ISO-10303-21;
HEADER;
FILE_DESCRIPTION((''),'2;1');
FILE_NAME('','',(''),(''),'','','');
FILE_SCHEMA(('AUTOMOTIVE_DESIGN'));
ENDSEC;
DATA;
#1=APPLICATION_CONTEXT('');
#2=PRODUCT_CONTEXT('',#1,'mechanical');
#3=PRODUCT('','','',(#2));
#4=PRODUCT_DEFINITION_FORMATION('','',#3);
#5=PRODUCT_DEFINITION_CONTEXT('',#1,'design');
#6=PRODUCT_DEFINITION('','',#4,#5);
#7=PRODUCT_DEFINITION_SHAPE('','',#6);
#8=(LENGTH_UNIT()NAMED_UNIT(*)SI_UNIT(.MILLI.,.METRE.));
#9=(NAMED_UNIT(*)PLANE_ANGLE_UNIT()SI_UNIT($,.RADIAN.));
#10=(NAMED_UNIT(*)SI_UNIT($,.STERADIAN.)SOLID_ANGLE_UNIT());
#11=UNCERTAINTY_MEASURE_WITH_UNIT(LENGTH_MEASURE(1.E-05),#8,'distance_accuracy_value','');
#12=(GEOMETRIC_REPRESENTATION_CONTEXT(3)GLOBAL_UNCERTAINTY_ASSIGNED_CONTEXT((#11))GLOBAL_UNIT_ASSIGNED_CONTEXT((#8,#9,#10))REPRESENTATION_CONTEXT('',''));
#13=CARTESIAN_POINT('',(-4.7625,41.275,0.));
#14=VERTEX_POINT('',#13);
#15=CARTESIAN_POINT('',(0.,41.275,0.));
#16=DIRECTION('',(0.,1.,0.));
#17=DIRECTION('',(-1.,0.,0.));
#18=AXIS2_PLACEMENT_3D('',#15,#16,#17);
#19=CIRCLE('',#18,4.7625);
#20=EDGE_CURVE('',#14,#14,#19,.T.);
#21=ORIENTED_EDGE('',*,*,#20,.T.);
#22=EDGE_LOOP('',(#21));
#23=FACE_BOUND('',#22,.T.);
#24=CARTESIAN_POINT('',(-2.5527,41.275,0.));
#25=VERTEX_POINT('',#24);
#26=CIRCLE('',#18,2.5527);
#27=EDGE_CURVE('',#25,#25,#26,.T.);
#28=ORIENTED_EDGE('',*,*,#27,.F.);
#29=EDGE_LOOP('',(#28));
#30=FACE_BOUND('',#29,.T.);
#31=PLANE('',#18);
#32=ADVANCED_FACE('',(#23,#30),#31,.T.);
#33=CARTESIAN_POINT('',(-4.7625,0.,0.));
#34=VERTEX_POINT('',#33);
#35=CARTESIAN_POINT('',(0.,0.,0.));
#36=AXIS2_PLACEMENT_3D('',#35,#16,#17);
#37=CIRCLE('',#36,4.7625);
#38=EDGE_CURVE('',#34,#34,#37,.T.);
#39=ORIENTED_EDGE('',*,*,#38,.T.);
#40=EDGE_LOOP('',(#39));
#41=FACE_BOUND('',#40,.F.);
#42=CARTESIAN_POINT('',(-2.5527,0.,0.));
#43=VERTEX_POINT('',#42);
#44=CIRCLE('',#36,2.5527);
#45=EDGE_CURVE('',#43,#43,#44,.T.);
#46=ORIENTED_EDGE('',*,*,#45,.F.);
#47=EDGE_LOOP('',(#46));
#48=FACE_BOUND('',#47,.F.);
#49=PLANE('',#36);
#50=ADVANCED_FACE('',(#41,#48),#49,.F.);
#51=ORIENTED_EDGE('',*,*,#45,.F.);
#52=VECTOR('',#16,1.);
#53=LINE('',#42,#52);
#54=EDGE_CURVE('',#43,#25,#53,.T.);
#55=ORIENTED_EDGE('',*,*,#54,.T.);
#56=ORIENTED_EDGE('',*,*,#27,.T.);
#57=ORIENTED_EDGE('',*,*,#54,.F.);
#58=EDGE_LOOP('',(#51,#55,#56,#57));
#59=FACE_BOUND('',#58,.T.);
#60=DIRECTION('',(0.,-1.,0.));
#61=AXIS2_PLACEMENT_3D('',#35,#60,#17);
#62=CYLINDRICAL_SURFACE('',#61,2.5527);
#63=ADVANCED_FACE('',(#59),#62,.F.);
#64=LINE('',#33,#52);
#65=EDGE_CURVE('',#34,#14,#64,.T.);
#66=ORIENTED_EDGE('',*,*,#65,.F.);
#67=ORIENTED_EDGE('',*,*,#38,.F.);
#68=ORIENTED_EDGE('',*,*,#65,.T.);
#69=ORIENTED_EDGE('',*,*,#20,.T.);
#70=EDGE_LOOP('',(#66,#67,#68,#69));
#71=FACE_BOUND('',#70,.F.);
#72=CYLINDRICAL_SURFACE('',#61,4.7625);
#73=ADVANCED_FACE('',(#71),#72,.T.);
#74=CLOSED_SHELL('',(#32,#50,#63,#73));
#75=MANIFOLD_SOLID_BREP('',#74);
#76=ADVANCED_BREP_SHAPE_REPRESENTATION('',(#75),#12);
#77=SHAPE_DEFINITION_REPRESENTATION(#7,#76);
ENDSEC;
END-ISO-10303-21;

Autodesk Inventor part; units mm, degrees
ref_plane "YZ Plane" through (0, 0, 0) normal (1, 0, 0) x (0, 1, 0)
ref_plane "XZ Plane" through (0, 0, 0) normal (0, 1, 0) x (-1, 0, 0)
ref_plane "XY Plane" through (0, 0, 0) normal (0, 0, 1) x (1, 0, 0)
sketch "Sketch1" plane through (0, 0, 0) normal (0, 1, 0) x (-1, 0, 0)
  circle A0 centre (0, 0) radius 2.5527
  circle A1 centre (0, 0) radius 4.7625
  dimension "d0" = 9.525
  dimension "d1" = 5.1054
extrude "Extrusion1" add sketch "Sketch1" along normal blind 41.275
properties part number "Piston Mount Standoffs" material "Steel, Galvanized"
